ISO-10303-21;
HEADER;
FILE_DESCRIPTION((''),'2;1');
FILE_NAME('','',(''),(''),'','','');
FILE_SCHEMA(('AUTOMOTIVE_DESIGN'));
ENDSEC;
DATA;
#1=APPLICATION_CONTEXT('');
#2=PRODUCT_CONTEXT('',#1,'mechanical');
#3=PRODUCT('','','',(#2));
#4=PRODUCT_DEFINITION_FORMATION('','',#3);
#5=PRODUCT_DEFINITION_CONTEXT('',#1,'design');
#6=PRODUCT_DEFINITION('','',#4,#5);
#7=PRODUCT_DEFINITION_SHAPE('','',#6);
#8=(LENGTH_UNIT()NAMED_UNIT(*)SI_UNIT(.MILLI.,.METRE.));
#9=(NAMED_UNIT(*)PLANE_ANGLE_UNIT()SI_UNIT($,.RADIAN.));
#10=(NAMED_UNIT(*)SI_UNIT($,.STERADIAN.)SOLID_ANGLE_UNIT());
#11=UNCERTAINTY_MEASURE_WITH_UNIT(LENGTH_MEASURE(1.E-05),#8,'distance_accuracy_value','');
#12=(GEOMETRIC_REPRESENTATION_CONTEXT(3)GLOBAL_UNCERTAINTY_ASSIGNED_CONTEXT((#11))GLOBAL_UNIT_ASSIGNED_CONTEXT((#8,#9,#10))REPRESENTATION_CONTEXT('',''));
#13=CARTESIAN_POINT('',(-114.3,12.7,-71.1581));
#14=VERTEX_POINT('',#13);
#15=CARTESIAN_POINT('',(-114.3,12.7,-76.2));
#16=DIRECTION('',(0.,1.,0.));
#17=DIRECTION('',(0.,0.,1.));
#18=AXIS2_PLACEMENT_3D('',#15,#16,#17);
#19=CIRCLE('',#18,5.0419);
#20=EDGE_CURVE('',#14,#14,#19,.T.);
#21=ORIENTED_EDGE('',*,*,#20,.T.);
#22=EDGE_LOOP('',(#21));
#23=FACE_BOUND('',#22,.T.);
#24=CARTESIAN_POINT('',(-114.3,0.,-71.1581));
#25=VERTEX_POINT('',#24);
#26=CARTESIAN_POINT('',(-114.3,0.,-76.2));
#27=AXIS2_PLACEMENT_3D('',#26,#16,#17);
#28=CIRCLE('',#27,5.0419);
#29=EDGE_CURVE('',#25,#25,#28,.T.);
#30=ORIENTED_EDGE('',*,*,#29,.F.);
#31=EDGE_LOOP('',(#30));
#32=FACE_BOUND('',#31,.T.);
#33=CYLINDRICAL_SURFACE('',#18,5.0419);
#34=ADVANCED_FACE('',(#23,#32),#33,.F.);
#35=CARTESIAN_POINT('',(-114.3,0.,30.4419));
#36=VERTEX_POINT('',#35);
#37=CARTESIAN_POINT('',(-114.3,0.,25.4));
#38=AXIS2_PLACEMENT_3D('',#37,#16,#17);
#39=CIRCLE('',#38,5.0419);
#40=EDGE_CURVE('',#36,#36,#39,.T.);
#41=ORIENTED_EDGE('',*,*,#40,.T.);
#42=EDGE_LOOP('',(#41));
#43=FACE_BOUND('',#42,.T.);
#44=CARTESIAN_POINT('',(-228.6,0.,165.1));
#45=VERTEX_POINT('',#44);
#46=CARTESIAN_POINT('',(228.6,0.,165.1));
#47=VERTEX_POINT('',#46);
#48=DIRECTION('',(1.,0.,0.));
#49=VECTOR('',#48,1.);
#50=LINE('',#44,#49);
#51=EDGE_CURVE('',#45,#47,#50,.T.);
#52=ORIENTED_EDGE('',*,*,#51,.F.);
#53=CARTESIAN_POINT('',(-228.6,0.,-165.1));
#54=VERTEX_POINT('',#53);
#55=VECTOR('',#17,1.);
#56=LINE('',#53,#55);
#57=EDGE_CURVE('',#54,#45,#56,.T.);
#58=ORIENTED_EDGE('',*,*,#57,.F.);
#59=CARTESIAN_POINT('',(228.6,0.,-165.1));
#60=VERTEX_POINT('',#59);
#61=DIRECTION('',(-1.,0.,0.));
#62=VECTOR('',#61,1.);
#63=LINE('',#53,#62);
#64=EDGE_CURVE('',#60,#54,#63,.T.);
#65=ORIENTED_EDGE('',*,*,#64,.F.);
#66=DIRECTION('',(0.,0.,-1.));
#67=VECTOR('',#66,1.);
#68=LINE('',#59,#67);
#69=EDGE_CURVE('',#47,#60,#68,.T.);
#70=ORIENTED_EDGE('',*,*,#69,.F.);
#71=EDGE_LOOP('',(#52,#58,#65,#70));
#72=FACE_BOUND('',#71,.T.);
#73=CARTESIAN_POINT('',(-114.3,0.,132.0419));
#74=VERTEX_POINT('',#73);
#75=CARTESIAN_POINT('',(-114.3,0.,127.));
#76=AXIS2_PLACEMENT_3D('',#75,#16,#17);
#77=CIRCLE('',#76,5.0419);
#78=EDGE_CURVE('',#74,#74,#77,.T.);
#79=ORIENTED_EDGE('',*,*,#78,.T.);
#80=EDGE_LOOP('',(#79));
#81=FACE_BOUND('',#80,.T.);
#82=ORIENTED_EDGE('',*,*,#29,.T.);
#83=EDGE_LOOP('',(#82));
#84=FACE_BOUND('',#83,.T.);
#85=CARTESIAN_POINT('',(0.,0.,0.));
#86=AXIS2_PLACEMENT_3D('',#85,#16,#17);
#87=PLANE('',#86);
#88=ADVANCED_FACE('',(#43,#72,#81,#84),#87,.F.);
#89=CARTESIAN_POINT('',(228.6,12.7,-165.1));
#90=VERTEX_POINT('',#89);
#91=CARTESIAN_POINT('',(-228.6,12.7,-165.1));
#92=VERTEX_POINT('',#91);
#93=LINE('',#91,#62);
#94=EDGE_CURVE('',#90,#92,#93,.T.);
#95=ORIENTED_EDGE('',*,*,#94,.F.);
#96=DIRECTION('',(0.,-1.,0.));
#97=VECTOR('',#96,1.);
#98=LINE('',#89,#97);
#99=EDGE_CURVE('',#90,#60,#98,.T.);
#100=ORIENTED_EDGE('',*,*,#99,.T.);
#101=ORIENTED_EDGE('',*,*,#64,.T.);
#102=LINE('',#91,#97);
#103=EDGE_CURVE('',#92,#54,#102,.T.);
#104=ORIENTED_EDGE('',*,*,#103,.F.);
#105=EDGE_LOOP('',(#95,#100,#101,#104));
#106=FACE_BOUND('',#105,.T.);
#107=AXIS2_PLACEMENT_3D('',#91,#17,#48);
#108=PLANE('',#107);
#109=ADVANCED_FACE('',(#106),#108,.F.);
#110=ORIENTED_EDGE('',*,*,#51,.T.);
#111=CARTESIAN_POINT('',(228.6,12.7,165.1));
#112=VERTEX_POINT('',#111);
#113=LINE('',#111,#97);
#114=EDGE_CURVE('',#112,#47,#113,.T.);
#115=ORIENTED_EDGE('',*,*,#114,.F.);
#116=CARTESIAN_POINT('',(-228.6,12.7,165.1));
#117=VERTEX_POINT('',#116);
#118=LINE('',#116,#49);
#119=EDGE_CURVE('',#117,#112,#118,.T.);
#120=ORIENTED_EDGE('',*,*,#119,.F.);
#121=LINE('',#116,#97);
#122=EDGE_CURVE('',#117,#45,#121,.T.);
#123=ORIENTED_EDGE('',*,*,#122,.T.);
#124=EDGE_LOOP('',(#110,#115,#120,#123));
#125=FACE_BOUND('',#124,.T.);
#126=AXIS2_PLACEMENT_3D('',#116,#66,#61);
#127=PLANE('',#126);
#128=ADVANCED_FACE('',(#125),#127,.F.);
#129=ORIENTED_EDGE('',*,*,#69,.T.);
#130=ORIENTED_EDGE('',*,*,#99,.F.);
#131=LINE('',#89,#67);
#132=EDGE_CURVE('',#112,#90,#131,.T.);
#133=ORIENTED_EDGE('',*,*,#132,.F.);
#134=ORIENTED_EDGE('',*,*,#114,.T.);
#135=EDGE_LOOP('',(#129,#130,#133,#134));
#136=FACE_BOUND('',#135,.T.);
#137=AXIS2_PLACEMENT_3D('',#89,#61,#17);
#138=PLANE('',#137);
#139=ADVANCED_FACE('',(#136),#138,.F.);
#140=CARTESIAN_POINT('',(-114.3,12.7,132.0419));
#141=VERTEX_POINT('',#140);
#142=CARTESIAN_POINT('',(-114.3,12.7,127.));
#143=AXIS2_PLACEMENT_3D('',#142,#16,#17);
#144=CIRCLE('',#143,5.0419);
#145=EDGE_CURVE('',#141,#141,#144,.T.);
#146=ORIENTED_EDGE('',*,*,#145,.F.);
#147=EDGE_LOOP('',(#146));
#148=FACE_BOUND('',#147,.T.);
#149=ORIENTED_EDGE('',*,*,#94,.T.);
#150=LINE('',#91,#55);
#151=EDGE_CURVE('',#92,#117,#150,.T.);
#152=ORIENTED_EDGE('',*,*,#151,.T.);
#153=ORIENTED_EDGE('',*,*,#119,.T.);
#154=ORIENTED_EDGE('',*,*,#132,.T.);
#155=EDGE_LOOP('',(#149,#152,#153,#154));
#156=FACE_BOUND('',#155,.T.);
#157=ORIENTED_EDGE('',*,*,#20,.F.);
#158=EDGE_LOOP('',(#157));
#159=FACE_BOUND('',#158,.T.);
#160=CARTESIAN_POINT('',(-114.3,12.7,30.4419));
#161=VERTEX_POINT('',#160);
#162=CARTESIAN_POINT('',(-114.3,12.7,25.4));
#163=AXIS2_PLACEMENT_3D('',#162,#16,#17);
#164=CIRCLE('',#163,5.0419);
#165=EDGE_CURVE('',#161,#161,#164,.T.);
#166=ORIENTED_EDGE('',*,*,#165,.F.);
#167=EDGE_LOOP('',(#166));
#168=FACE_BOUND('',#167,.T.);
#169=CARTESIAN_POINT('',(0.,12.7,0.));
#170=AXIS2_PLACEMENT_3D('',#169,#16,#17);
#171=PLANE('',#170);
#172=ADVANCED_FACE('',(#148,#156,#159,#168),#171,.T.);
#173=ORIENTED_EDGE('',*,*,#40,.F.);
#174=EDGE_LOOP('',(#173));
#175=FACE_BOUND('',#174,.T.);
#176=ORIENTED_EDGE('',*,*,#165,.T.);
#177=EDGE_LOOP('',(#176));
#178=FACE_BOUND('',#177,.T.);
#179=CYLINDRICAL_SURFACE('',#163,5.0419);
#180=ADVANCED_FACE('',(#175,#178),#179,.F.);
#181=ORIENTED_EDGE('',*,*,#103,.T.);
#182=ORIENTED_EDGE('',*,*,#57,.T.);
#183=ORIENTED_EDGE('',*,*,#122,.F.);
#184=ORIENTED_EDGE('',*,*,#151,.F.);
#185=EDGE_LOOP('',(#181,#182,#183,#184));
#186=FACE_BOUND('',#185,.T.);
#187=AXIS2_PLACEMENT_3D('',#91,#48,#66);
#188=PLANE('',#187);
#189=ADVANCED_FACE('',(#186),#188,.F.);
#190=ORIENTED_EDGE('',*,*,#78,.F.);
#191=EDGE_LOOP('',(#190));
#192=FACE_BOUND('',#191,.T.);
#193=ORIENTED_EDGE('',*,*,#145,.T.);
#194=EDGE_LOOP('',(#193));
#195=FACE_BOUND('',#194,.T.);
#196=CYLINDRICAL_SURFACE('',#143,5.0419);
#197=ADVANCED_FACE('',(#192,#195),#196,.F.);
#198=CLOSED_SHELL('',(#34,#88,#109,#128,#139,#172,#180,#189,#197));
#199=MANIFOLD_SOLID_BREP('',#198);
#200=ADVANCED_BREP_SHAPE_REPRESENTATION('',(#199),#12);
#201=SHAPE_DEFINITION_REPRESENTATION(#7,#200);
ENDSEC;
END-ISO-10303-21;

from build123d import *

# Parameters (mm, degrees)
SKETCH1_W               = 457.2
SKETCH1_H               = 330.2
BOSS_EXTRUDE1_DEPTH     = 12.7
F_3_8_CLEARANCE_HOLE1_D = 10.0838


with BuildPart() as part:
    # Sketch1 → Boss-Extrude1 (new body)
    with BuildSketch(Plane(origin=(0, 0, 0), x_dir=(1, 0, 0), z_dir=(0, 1, 0))):
        Rectangle(SKETCH1_W, SKETCH1_H)
    extrude(amount=BOSS_EXTRUDE1_DEPTH)

    # 3/8 Clearance Hole1 (through all)
    with Locations(Plane(origin=(0, 12.7, -165.1), x_dir=(1, 0, 0), z_dir=(0, 1, 0))):
        with Locations((-114.300000003, -88.9), (-114.300000003, -190.5), (-114.300000003, -292.1)):
            Hole(F_3_8_CLEARANCE_HOLE1_D / 2)


solid = part.part
